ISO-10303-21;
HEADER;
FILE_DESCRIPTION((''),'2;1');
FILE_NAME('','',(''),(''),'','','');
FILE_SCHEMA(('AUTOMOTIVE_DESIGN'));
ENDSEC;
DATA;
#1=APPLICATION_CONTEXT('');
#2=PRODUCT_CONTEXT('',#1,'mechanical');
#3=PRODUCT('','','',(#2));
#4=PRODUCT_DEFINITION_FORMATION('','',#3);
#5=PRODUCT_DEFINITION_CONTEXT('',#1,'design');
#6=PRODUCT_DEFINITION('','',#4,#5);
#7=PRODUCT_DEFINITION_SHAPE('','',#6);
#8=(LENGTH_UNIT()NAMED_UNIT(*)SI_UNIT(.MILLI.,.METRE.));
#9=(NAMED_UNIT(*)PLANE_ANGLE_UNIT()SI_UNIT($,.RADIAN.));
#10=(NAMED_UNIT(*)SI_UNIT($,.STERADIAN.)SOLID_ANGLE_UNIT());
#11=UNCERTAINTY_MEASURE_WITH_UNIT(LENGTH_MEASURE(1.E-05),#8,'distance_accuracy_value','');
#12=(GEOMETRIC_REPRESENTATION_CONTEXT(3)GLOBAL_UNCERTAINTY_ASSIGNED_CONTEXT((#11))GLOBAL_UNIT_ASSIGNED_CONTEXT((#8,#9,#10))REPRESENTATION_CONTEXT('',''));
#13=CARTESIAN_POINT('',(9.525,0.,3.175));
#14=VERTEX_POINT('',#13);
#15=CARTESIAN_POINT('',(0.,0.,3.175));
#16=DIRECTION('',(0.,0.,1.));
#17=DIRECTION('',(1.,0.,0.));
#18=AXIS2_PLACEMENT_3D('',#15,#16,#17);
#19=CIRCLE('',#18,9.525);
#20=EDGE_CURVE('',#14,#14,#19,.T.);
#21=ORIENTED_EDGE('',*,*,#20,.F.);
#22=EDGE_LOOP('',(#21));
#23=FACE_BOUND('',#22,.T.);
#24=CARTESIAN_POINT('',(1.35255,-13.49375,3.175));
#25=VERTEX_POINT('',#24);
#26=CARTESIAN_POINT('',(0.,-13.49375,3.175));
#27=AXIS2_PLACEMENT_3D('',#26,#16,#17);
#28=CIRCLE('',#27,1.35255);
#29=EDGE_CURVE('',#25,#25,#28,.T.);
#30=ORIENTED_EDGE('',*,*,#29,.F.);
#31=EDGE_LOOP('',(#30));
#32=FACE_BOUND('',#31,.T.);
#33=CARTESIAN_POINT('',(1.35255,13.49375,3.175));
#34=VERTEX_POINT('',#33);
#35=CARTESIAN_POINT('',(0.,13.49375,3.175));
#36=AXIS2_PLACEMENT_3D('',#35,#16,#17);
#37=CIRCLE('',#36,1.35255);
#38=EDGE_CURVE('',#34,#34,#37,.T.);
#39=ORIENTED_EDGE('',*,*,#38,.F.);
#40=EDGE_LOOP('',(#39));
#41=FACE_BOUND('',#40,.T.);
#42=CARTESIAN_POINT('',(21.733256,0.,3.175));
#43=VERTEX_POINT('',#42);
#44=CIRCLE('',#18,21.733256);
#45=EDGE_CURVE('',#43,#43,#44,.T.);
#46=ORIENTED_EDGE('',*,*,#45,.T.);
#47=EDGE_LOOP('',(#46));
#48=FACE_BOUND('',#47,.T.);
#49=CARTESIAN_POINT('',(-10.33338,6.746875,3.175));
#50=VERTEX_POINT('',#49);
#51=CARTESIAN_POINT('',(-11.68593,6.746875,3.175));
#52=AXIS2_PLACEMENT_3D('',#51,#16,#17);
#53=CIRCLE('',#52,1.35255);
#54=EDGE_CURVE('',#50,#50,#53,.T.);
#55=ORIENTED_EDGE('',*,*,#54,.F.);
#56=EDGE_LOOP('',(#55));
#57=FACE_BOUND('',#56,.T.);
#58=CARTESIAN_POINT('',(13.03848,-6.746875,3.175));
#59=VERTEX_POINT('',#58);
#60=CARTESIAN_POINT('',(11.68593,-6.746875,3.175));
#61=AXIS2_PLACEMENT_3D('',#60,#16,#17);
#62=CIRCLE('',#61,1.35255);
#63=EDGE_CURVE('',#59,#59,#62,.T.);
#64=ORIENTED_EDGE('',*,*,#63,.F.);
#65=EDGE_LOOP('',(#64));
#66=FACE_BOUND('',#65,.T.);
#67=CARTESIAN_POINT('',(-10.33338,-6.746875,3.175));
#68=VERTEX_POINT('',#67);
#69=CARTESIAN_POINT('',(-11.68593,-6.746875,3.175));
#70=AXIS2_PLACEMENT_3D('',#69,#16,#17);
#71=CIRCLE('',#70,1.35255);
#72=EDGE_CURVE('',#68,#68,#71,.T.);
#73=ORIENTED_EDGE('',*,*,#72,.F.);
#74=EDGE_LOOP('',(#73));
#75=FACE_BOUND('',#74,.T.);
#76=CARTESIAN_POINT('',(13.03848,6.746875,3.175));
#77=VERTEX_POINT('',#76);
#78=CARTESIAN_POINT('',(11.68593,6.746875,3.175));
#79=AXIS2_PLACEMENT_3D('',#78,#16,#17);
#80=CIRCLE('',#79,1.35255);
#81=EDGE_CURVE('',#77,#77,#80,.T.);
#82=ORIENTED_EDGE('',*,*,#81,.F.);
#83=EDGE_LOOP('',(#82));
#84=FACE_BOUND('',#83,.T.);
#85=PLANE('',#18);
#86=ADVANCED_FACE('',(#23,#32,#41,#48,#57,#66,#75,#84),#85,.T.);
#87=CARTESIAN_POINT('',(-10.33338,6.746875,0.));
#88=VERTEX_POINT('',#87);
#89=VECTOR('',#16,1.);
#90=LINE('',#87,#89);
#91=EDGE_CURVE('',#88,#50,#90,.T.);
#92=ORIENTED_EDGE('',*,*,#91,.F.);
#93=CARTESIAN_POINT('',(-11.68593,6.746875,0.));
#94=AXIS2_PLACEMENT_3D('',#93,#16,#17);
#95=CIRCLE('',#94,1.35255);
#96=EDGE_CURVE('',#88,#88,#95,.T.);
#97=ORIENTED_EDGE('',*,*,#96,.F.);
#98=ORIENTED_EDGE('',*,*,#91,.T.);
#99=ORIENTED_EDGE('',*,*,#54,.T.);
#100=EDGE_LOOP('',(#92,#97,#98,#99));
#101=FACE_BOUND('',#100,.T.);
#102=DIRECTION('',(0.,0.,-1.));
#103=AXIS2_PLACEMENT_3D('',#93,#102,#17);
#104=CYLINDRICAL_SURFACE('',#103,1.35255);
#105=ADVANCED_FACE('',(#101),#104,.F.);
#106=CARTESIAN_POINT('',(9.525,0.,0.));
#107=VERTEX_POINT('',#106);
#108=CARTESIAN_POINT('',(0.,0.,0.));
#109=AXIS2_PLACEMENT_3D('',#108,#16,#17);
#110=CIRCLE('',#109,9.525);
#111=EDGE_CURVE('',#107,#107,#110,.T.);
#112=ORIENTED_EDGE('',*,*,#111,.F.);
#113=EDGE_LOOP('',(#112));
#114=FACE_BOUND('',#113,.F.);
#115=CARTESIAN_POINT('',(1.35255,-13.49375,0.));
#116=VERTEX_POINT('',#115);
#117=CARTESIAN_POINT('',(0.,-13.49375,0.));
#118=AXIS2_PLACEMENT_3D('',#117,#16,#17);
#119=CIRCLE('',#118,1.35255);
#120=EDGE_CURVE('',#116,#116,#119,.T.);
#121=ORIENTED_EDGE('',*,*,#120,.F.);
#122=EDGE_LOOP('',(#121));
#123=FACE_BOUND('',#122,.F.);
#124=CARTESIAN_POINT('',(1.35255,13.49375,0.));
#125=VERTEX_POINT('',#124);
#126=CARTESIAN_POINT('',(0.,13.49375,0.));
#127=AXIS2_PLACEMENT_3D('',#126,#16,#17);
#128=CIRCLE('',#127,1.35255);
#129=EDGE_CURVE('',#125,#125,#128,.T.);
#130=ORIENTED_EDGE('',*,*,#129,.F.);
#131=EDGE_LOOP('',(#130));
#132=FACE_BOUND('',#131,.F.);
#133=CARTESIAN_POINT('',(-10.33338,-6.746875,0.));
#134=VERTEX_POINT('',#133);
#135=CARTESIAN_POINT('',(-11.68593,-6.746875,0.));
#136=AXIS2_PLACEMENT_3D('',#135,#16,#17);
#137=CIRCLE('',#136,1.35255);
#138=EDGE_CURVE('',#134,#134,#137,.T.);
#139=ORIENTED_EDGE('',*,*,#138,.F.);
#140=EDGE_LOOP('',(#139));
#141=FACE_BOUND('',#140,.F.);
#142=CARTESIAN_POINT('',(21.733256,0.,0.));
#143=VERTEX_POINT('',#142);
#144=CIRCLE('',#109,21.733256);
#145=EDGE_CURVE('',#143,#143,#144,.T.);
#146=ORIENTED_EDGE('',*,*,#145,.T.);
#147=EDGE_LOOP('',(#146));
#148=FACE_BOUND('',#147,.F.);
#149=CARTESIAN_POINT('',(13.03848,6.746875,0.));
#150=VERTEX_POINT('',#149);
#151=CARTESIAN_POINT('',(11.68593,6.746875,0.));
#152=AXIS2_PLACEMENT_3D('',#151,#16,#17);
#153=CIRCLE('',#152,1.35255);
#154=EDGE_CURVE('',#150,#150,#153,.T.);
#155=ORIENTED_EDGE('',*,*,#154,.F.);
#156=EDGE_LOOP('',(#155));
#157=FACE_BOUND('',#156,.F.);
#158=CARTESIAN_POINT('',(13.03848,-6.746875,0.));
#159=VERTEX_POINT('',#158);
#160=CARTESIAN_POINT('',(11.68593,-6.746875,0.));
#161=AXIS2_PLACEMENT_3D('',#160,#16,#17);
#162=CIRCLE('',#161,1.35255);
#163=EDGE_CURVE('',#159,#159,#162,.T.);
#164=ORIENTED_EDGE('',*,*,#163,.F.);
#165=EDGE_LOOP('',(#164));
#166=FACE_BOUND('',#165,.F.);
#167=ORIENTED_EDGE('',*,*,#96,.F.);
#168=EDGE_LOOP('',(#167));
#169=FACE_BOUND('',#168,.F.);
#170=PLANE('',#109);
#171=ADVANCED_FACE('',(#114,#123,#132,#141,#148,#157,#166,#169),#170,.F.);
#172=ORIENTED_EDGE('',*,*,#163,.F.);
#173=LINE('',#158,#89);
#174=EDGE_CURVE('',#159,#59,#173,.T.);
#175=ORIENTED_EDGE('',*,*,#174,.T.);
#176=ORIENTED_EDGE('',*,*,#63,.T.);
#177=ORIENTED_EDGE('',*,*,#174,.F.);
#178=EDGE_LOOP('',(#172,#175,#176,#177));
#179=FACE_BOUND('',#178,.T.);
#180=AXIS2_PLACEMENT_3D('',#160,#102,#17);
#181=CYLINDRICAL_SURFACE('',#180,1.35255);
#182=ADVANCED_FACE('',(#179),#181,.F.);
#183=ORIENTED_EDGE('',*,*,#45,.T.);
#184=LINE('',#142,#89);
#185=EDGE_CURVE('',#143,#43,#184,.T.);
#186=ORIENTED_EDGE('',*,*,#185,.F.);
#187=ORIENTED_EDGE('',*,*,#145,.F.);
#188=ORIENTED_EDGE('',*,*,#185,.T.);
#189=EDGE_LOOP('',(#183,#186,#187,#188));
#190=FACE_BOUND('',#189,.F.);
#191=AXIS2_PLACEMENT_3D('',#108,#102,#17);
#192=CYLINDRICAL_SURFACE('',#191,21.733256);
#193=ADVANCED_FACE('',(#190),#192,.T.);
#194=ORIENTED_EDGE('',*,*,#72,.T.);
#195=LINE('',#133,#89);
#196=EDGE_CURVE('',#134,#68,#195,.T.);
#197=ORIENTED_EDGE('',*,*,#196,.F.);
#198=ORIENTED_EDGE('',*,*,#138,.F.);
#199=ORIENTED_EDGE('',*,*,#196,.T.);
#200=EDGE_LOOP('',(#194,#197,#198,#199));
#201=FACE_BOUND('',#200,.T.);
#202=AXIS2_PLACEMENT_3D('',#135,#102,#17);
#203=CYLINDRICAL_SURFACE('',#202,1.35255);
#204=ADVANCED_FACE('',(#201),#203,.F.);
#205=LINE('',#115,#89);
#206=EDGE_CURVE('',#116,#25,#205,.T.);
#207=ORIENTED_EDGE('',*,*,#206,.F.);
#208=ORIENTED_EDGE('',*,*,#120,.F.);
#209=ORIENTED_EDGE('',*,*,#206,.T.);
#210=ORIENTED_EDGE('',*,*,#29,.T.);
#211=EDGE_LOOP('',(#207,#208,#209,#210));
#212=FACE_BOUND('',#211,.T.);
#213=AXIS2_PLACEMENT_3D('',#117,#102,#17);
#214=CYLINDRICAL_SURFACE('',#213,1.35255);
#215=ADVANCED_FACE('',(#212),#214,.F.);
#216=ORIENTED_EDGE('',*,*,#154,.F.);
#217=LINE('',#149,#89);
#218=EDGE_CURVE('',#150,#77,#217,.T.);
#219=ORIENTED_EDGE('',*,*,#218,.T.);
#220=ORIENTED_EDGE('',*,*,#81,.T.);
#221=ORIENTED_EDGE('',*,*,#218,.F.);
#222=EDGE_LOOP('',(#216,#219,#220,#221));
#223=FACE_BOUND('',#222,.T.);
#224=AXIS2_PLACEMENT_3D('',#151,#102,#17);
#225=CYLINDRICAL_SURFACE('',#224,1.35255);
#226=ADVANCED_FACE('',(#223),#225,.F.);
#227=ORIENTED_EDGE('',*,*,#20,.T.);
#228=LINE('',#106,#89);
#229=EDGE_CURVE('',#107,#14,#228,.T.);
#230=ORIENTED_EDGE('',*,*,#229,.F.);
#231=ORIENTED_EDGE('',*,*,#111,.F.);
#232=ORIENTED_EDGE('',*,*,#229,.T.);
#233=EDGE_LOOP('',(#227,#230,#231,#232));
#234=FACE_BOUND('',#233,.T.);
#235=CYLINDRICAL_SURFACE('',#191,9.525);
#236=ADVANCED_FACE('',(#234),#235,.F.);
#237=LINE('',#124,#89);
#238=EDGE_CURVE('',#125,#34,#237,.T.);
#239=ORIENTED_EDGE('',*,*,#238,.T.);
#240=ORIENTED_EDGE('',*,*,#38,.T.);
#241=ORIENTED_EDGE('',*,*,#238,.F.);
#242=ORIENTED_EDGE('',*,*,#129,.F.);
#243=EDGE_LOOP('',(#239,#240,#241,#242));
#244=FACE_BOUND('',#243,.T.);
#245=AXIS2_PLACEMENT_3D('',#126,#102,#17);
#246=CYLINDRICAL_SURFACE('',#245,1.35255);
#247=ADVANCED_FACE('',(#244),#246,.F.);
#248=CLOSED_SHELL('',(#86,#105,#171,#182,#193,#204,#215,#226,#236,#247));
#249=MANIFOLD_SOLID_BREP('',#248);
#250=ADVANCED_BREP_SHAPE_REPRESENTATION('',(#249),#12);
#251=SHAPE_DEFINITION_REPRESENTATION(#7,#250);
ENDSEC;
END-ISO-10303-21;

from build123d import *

# Parameters (mm, degrees)
F0_R     = 21.733256
F0_R_2   = 1.35255
F0_R_3   = 9.525
F1_DEPTH = 3.175


with BuildPart() as f1:
    # F0 (on Top) → F1 (new body)
    with BuildSketch(Plane.XY):
        Circle(F0_R)
        with Locations((-11.68593, -6.746875)):
            Circle(F0_R_2, mode=Mode.SUBTRACT)
        with Locations((0, -13.49375)):
            Circle(F0_R_2, mode=Mode.SUBTRACT)
        with Locations((11.68593, -6.746875)):
            Circle(F0_R_2, mode=Mode.SUBTRACT)
        with Locations((-11.68593, 6.746875)):
            Circle(F0_R_2, mode=Mode.SUBTRACT)
        Circle(F0_R_3, mode=Mode.SUBTRACT)
        with Locations((11.68593, 6.746875)):
            Circle(F0_R_2, mode=Mode.SUBTRACT)
        with Locations((0, 13.49375)):
            Circle(F0_R_2, mode=Mode.SUBTRACT)
    extrude(amount=F1_DEPTH)


solid = f1.part
